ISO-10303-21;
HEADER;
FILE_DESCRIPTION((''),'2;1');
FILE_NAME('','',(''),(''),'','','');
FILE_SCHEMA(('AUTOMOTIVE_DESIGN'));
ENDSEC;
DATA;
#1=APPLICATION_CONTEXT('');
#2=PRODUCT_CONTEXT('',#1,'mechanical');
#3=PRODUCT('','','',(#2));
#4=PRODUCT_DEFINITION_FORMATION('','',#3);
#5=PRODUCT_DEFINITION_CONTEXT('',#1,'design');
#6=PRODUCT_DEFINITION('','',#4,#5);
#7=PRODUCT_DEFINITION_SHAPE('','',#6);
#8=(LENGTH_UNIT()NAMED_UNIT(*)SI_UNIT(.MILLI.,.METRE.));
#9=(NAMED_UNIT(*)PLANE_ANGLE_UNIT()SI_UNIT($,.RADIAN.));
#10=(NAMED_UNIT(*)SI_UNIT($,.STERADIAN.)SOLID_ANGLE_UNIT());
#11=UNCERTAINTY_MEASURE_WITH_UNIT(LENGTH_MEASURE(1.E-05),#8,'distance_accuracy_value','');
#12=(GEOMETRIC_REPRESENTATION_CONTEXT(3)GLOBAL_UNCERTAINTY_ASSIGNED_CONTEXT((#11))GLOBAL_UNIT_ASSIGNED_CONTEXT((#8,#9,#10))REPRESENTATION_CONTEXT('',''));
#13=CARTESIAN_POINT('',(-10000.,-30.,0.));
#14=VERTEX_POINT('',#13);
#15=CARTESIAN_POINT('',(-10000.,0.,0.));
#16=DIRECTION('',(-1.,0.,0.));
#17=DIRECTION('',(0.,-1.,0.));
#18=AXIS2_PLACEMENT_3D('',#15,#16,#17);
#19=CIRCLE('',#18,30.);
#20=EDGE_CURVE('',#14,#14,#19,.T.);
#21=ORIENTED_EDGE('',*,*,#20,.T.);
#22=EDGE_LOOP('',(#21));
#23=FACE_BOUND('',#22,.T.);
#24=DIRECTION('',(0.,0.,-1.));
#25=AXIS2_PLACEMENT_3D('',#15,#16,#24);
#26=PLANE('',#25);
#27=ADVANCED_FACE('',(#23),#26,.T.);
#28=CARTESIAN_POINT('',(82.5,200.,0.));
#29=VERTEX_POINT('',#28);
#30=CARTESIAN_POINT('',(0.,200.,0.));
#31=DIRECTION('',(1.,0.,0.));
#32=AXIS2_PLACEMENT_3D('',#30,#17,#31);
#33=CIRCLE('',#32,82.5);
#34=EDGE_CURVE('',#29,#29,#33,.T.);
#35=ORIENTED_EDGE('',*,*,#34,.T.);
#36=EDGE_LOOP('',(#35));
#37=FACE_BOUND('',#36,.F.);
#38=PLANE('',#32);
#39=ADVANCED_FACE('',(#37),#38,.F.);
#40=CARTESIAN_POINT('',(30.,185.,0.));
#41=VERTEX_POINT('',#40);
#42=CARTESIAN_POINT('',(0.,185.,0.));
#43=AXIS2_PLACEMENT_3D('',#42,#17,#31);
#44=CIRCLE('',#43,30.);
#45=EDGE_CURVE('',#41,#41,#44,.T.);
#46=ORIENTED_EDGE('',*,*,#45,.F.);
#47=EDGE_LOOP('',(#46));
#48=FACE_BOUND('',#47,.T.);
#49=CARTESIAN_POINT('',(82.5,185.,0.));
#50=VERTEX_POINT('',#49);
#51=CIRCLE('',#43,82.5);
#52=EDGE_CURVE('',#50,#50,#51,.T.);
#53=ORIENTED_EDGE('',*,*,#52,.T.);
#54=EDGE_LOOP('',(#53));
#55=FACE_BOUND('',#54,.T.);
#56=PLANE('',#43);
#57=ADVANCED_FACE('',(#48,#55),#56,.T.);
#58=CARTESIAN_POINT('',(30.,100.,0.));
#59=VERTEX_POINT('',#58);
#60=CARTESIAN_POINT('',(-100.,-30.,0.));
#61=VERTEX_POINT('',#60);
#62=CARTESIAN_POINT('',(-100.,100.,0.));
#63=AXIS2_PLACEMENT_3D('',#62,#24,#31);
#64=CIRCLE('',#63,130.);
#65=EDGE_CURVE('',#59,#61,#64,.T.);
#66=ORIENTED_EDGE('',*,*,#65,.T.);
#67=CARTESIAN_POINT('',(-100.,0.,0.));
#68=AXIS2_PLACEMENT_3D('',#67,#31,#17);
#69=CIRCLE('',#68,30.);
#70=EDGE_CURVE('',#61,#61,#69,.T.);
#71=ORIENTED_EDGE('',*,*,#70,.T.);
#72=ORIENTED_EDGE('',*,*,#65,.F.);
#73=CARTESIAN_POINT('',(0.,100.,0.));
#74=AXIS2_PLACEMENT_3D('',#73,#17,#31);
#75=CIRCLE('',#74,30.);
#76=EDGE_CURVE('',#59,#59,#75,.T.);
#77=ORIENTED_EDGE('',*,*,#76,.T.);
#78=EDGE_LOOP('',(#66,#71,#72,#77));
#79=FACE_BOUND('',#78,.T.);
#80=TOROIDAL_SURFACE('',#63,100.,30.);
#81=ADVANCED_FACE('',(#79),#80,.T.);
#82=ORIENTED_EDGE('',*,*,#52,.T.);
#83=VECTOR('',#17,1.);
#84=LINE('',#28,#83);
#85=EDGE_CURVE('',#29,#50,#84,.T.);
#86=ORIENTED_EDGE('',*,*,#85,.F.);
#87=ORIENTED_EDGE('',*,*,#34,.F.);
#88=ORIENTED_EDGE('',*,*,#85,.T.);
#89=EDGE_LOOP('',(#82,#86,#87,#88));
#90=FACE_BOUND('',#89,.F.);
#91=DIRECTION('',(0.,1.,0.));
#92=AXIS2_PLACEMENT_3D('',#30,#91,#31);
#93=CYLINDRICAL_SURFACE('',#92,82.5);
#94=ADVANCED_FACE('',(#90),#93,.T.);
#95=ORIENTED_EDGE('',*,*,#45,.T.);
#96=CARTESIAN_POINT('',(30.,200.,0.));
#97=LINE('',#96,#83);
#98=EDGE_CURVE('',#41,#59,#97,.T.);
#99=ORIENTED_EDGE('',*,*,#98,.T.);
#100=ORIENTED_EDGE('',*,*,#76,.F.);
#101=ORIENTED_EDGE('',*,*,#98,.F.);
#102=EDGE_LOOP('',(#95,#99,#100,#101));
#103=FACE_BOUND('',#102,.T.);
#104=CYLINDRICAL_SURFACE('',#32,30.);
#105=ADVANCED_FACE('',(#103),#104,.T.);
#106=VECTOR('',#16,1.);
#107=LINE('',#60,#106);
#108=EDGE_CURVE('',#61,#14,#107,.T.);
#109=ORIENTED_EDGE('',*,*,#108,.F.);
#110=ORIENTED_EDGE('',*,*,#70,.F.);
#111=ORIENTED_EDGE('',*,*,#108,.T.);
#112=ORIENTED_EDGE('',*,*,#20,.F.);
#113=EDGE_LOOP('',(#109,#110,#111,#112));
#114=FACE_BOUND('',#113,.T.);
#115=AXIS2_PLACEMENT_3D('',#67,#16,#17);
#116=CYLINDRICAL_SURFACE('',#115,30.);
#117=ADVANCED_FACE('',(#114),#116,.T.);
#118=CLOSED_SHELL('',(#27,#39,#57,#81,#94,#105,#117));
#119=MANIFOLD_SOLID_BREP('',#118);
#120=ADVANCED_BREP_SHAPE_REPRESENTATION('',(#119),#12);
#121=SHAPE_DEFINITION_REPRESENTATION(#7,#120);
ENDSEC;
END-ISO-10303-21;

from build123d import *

# Parameters (mm, degrees)
F2_R     = 30
F2_R_2   = 82.5
F4_DEPTH = 15


with BuildPart() as f3:
    # F3: sweep along a path in F0
    with BuildLine(Plane.XY) as f3_path:
        Line((0, 200), (0, 100))
        ThreePointArc((0, 100), (-29.2893218813, 29.2893218813), (-100, 0))
        Line((-100, 0), (-10000, 0))
    # F2 (on offset) → F3 (sweep)
    with BuildSketch(Plane.XZ.offset(-200)):
        Circle(F2_R)
    sweep(path=f3_path.line)

    # F2 (on offset) → F4 (join)
    with BuildSketch(Plane.XZ.offset(-200)):
        Circle(F2_R_2)
        Circle(F2_R, mode=Mode.SUBTRACT)
    extrude(amount=F4_DEPTH)


solid = f3.part
